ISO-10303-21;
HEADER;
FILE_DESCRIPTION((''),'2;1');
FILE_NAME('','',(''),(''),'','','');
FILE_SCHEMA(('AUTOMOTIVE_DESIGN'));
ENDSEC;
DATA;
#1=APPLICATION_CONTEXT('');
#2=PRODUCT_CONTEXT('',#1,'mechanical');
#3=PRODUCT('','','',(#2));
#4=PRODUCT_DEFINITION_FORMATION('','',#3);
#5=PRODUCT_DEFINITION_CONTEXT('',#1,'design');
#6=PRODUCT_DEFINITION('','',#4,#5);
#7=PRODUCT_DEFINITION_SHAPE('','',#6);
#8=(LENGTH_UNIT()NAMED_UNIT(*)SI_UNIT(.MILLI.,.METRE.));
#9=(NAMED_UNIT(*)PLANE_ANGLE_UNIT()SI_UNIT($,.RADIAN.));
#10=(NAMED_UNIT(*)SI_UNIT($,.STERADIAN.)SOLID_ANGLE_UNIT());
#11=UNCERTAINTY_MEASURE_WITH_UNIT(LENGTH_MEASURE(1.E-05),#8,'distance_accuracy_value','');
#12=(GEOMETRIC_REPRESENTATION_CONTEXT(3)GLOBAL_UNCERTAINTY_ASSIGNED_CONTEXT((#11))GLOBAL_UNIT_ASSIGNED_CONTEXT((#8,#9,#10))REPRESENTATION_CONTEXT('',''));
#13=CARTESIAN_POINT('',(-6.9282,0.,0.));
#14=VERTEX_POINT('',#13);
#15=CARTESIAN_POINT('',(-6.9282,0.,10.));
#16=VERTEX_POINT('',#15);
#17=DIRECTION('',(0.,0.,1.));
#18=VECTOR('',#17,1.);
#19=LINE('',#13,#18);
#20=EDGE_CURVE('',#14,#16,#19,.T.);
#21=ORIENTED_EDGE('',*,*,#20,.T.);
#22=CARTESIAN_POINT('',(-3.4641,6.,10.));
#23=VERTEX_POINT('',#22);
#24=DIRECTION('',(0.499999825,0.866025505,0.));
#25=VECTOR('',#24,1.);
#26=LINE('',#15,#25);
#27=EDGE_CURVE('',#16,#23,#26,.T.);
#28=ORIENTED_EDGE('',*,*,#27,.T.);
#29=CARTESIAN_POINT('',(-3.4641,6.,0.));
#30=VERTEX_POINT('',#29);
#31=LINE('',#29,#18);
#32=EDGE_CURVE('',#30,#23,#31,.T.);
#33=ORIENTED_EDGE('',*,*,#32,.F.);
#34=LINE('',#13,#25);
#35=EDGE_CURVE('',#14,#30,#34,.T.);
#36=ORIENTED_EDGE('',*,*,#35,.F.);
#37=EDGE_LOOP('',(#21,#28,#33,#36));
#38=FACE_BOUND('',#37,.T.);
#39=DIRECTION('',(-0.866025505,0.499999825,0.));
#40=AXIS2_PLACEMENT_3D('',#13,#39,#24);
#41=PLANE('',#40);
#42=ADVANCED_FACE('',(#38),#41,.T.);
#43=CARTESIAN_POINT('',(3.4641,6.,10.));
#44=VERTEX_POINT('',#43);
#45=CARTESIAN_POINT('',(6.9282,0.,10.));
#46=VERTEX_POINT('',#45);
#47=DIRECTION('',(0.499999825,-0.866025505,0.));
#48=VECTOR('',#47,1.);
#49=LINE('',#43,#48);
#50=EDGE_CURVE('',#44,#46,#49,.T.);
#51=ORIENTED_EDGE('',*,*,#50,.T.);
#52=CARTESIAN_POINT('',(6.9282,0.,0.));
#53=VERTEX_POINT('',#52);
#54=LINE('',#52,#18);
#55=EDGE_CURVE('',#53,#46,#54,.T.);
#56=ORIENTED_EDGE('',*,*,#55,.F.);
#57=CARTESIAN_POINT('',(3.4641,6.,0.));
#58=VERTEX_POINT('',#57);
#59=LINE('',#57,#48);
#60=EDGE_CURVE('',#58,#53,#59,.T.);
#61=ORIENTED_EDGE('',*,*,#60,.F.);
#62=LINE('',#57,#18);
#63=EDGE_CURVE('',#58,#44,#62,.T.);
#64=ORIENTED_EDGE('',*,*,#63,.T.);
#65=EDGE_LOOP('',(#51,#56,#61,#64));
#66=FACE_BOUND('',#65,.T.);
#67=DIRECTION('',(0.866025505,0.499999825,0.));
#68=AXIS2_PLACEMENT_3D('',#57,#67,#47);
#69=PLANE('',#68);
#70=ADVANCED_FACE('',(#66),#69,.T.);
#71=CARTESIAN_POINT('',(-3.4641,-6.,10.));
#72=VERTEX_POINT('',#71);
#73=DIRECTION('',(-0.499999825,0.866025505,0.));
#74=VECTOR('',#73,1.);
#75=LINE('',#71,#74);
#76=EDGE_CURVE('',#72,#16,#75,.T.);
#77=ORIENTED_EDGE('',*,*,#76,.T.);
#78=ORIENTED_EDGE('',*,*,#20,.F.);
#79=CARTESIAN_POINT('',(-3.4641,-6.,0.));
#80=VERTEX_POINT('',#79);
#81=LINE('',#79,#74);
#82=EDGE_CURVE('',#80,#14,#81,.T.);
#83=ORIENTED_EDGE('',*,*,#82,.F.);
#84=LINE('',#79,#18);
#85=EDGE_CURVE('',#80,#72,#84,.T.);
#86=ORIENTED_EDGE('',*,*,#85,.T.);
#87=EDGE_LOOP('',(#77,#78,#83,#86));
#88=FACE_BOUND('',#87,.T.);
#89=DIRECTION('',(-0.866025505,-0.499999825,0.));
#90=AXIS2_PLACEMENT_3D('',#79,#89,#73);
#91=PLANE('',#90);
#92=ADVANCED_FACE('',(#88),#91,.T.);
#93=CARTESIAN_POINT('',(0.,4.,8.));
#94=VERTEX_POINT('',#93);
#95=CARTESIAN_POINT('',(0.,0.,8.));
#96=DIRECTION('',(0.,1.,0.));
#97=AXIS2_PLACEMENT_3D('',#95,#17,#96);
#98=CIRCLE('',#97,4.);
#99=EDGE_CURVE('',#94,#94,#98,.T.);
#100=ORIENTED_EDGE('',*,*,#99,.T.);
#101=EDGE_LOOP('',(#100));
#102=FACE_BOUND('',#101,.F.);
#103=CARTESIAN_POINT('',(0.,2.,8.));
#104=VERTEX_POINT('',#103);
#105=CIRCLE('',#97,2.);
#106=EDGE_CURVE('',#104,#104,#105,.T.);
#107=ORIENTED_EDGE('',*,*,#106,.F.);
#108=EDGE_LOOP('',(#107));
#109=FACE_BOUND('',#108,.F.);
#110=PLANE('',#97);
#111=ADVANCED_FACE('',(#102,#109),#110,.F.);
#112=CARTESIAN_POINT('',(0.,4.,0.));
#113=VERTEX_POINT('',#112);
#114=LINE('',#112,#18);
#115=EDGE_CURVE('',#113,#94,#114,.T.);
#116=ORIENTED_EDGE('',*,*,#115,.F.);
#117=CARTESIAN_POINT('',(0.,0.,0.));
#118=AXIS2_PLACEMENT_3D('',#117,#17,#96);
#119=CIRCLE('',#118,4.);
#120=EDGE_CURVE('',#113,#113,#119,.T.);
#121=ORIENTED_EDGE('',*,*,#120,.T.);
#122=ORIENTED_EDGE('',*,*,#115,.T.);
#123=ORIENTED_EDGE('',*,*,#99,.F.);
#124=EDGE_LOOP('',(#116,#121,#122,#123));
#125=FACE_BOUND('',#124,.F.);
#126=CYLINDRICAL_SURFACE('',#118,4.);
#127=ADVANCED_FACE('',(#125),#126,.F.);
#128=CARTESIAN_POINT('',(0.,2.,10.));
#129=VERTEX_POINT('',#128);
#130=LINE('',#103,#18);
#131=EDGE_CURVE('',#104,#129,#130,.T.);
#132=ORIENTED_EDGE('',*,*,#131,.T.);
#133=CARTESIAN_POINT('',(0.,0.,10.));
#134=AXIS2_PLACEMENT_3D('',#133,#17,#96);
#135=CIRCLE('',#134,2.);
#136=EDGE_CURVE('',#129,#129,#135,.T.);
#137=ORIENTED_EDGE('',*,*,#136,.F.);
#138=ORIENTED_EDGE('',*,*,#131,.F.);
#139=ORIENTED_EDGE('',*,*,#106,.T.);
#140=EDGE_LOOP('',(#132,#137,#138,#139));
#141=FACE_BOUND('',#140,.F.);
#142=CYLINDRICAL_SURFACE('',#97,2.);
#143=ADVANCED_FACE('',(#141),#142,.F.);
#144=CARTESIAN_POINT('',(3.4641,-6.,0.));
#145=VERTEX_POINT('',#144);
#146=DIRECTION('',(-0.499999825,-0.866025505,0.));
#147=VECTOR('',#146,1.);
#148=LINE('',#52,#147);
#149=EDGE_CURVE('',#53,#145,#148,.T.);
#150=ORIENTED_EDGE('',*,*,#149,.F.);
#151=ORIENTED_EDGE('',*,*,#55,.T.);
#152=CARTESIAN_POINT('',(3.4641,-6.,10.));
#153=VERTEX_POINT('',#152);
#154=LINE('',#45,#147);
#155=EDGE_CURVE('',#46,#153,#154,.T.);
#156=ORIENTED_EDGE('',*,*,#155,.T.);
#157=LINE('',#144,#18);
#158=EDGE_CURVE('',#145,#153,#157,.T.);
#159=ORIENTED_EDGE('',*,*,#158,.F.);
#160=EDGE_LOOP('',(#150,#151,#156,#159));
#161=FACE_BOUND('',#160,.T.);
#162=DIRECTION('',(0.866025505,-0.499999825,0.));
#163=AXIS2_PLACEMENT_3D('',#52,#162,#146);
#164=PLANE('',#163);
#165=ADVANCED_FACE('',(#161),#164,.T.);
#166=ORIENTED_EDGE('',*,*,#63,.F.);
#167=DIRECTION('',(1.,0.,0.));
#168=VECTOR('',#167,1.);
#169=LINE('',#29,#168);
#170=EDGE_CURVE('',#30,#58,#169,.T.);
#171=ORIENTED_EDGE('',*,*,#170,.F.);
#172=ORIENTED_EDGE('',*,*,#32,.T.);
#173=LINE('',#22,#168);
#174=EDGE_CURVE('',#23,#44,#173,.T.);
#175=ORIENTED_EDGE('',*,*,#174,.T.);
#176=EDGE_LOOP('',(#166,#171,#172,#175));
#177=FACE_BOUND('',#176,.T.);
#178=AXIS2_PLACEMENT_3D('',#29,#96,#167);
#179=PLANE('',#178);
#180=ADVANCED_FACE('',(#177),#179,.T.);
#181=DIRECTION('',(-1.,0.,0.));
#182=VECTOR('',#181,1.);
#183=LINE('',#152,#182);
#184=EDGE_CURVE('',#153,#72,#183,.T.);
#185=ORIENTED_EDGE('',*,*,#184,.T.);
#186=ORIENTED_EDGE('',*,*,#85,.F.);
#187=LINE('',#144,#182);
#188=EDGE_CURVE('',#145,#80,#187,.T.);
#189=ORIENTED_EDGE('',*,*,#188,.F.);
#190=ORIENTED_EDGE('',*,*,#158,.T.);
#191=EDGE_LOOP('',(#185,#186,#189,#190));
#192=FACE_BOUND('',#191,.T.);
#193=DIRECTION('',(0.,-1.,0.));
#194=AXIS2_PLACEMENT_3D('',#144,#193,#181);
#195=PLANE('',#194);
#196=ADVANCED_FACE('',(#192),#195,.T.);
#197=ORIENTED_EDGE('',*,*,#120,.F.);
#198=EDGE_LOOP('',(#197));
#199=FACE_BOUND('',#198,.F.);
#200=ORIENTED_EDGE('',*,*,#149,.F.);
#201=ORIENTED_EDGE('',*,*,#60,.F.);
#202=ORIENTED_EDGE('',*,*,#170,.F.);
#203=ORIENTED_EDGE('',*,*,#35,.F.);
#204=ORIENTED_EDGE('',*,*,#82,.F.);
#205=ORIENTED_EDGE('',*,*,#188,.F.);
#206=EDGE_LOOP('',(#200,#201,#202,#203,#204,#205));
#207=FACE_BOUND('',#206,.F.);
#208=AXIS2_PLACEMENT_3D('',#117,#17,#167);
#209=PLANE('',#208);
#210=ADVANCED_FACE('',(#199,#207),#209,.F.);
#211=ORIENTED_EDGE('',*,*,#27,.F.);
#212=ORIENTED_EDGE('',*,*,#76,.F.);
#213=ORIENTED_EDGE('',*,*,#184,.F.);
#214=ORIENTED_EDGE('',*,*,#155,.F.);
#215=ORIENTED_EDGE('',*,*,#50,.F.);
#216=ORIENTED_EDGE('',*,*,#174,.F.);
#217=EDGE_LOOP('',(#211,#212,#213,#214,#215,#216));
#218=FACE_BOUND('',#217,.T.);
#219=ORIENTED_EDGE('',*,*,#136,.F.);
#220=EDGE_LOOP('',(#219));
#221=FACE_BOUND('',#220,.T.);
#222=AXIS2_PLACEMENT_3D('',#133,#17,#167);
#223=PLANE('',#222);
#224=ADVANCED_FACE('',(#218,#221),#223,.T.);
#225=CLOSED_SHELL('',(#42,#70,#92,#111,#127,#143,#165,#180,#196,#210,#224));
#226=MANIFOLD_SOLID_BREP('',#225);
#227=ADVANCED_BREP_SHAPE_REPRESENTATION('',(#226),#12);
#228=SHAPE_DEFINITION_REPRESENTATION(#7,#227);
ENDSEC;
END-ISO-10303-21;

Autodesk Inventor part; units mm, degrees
ref_plane "YZ Plane" through (0, 0, 0) normal (1, 0, 0) x (0, 1, 0)
ref_plane "XZ Plane" through (0, 0, 0) normal (0, 1, 0) x (-1, 0, 0)
ref_plane "XY Plane" through (0, 0, 0) normal (0, 0, 1) x (1, 0, 0)
sketch "Sketch1" plane through (0, 0, 0) normal (0, 0, 1) x (1, 0, 0)
  line L0 (0, 0) -> (0, -17) construction
  line L1 (-3.4641, -6) -> (-6.9282, 0)
  line L2 (-6.9282, 0) -> (-3.4641, 6)
  line L3 (-3.4641, 6) -> (3.4641, 6)
  line L4 (3.4641, 6) -> (6.9282, 0)
  line L5 (6.9282, 0) -> (3.4641, -6)
  line L6 (3.4641, -6) -> (-3.4641, -6)
  point P0 (0, -6)
  dimension "d0" = 12
extrude "Extrusion1" add sketch "Sketch1" along normal blind 10
hole "Hole1" at (0, 0, 0) direction (0, 0, 1) diameter 4 end through all counterbore diameter 8 counterbore depth 8
thread "Thread1" size "M8x1.25" class "6H" standard "ANSI Metric M Profile" full length
properties part number "HUDSON-1-80"
